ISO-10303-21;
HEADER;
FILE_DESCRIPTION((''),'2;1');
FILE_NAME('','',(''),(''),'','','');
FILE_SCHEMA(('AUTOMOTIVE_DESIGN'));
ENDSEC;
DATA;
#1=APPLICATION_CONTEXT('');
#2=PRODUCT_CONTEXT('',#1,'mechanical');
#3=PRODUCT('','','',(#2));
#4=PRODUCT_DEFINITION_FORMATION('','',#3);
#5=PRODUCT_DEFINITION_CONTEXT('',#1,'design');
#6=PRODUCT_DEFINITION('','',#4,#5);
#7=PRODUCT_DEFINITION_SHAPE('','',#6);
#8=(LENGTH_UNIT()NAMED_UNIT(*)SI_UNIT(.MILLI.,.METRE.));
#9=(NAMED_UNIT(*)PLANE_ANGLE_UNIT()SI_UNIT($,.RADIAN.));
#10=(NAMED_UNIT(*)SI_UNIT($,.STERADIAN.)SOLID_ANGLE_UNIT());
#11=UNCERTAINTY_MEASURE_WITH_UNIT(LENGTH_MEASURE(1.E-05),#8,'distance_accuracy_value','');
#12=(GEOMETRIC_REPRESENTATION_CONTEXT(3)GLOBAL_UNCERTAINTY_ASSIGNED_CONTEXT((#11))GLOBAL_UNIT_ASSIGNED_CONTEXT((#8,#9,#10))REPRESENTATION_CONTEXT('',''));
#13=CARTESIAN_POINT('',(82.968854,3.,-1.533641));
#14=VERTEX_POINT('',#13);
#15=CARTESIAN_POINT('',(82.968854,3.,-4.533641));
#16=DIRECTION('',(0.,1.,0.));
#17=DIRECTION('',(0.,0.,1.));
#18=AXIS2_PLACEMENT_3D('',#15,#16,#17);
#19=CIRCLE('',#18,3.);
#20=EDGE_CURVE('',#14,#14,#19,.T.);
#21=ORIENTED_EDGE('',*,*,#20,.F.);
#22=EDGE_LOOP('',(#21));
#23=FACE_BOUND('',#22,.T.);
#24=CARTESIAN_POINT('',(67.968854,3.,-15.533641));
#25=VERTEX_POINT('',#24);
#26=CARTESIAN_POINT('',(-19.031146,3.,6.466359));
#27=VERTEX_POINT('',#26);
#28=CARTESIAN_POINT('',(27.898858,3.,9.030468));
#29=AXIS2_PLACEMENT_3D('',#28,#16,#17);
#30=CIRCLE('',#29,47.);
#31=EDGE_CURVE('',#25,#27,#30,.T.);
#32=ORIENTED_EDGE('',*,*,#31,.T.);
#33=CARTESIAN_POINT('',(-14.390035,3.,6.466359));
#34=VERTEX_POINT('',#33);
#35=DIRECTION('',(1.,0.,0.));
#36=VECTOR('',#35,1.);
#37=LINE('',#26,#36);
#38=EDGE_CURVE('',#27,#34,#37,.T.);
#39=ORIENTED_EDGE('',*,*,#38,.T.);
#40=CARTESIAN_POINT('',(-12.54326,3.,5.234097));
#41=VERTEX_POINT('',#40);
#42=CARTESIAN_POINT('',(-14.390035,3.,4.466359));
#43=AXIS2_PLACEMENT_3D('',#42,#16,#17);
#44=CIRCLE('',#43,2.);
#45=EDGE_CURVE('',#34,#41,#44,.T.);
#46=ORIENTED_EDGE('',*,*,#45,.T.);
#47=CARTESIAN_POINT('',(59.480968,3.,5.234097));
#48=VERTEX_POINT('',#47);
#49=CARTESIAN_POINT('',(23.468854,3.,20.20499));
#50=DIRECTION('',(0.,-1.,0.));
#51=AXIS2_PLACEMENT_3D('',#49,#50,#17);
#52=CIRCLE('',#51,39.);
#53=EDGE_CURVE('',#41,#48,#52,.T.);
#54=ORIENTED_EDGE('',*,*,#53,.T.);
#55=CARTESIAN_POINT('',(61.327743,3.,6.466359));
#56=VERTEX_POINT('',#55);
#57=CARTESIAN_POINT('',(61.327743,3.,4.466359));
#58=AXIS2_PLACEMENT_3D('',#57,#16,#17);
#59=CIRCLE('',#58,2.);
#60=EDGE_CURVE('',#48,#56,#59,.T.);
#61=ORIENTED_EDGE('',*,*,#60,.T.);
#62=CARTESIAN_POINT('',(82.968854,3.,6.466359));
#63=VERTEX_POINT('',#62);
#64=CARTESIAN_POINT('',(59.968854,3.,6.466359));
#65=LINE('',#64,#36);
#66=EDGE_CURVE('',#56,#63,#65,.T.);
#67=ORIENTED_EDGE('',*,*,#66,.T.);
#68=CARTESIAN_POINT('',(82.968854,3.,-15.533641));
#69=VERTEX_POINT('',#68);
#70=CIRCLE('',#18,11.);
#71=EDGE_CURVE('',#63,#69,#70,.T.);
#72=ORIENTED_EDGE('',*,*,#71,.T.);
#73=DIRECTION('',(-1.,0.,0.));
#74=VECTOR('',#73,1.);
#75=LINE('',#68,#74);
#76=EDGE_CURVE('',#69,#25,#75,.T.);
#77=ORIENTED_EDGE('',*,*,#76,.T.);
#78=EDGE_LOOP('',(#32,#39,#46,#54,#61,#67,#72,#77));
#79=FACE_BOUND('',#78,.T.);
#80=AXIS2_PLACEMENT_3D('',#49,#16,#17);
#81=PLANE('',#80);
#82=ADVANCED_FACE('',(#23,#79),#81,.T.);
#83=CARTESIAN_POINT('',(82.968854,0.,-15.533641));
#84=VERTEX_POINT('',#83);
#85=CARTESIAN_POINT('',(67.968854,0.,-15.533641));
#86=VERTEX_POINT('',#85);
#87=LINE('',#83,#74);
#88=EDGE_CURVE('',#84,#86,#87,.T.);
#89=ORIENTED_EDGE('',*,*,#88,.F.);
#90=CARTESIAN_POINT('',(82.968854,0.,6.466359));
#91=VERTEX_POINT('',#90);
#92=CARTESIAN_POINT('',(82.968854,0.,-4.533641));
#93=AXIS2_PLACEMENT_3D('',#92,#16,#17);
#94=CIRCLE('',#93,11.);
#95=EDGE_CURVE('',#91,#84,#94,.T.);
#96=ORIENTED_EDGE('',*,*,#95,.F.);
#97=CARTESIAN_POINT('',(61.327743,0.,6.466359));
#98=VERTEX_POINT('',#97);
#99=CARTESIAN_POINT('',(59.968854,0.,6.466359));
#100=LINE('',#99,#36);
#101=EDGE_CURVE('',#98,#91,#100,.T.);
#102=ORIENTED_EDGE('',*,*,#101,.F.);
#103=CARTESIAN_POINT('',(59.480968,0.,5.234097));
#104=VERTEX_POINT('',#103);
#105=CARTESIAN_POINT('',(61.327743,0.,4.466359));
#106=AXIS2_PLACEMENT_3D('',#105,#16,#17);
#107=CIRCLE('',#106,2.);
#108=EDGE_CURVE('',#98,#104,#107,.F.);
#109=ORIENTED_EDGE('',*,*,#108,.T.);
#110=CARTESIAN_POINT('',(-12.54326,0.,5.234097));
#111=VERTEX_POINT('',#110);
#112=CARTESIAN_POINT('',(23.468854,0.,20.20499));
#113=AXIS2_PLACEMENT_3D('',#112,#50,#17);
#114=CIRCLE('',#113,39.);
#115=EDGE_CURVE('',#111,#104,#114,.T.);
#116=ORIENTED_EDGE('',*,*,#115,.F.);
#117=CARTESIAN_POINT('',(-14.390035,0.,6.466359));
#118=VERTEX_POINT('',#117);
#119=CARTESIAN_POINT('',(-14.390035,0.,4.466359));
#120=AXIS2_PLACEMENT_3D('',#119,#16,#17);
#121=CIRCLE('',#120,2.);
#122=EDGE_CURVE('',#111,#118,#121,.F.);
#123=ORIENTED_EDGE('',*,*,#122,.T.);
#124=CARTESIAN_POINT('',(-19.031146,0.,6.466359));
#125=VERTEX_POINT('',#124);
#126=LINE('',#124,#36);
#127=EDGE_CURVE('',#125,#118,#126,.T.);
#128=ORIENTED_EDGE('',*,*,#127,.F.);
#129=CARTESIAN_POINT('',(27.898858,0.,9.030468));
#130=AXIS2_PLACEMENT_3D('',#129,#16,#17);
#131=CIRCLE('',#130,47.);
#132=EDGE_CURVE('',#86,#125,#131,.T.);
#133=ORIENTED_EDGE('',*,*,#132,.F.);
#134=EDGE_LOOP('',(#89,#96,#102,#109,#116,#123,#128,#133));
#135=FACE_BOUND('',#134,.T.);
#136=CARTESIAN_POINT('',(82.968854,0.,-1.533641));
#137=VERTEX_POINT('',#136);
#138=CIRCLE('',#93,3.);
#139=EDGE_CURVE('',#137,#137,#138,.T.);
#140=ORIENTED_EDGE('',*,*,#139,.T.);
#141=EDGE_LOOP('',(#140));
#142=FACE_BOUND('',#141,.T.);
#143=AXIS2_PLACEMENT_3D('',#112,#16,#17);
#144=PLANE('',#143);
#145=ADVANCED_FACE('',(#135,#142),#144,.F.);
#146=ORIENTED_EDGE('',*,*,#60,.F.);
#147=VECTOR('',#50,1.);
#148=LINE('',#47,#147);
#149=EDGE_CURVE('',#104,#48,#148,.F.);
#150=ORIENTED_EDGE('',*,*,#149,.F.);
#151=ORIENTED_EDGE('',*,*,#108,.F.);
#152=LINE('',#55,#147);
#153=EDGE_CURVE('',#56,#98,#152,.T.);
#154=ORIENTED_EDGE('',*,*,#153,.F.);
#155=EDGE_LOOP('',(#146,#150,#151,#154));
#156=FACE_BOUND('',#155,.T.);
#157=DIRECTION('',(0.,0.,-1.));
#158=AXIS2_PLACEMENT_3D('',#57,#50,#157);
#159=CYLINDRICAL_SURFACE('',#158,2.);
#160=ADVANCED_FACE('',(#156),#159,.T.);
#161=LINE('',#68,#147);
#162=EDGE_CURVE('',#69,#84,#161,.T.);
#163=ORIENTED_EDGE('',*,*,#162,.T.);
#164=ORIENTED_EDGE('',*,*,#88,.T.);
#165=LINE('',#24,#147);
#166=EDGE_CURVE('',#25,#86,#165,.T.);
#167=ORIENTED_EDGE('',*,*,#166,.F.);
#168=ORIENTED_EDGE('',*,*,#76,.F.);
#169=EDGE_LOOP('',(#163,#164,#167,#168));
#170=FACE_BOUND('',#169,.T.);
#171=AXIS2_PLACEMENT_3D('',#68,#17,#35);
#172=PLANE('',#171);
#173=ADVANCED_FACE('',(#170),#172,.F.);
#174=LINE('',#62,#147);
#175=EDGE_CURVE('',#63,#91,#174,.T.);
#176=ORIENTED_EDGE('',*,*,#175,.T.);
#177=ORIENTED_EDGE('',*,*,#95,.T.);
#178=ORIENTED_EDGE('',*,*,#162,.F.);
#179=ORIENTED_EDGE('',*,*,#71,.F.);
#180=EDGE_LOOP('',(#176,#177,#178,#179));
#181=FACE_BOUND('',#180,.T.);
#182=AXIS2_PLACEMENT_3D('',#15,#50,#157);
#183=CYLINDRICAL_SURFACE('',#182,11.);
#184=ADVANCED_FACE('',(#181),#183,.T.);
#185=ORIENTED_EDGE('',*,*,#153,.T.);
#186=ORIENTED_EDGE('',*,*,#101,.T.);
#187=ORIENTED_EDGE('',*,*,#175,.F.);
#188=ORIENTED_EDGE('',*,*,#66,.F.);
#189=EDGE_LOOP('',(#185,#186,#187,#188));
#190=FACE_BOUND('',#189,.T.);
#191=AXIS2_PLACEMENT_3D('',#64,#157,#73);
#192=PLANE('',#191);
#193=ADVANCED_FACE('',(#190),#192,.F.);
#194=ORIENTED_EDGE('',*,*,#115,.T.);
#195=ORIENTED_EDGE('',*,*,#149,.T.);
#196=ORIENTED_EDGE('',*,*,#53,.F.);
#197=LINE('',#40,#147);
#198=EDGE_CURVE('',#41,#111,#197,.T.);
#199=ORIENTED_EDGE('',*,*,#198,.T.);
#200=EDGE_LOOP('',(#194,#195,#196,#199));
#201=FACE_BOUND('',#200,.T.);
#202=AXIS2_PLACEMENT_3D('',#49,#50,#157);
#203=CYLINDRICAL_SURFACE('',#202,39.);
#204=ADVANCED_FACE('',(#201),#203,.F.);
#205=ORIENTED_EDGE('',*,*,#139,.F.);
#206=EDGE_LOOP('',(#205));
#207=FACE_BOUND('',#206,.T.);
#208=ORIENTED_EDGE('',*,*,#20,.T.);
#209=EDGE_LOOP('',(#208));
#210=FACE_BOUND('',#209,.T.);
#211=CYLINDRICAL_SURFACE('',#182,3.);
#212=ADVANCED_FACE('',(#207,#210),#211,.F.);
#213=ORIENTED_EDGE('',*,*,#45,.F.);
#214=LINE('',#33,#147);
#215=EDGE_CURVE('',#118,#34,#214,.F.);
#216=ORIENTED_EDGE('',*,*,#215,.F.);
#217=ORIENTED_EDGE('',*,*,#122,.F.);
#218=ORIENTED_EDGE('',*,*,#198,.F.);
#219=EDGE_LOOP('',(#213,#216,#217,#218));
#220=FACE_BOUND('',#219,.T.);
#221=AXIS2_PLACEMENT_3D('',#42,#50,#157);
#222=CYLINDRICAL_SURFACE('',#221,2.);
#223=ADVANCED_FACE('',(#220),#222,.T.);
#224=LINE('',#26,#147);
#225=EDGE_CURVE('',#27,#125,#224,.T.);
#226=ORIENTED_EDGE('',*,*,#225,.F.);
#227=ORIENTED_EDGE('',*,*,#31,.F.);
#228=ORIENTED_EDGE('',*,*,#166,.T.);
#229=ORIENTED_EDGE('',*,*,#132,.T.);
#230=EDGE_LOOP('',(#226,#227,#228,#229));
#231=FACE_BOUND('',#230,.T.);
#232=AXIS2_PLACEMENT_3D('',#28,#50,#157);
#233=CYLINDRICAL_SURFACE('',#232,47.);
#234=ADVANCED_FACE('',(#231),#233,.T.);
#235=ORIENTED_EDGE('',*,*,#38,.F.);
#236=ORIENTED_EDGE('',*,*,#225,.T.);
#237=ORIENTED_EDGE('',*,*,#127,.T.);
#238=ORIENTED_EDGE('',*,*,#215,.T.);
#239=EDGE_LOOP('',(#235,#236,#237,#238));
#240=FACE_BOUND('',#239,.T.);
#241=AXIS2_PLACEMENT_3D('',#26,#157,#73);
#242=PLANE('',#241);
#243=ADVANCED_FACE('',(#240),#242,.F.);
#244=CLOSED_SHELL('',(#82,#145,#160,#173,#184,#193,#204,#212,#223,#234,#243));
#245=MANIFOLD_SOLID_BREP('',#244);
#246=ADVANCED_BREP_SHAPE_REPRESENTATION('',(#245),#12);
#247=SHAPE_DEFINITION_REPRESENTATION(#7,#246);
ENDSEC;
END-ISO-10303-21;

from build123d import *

# Parameters (mm, degrees)
CROQUIS1_R              = 3
SALIENTE_EXTRUIR1_DEPTH = 3
REDONDEO1_R             = 2
REDONDEO2_R             = 2


with BuildPart() as part:
    # Croquis1 → Saliente-Extruir1 (new body)
    with BuildSketch(Plane(origin=(0, 0, 0), x_dir=(1, 0, 0), z_dir=(0, 1, 0))):
        with BuildLine():
            Line((59.968853779, -6.466358732), (82.968853779, -6.466358732))
            ThreePointArc((82.968853779, -6.466358732), (93.968853779, 4.533641268), (82.968853779, 15.533641268))
            Line((82.968853779, 15.533641268), (67.968853779, 15.533641268))
            ThreePointArc((67.968853779, 15.533641268), (16.376491879, 36.535254234), (-19.031146221, -6.466358732))
            Line((-19.031146221, -6.466358732), (-13.031146221, -6.466358732))
            ThreePointArc((-13.031146221, -6.466358732), (23.468853779, 18.795009604), (59.968853779, -6.466358732))
        make_face()
        with Locations(Location((82.968853779, 4.533641268, 0), (0, 0, 270))):
            Circle(CROQUIS1_R, mode=Mode.SUBTRACT)
    extrude(amount=SALIENTE_EXTRUIR1_DEPTH)

    # Redondeo1
    redondeo1_edges = [part.edges().sort_by_distance(p)[0] for p in [
        (59.968853779, 1.5, 6.466358732),
    ]]
    fillet(redondeo1_edges, radius=REDONDEO1_R)

    # Redondeo2
    redondeo2_edges = [part.edges().sort_by_distance(p)[0] for p in [
        (-13.031146221, 1.5, 6.466358732),
    ]]
    fillet(redondeo2_edges, radius=REDONDEO2_R)


solid = part.part
